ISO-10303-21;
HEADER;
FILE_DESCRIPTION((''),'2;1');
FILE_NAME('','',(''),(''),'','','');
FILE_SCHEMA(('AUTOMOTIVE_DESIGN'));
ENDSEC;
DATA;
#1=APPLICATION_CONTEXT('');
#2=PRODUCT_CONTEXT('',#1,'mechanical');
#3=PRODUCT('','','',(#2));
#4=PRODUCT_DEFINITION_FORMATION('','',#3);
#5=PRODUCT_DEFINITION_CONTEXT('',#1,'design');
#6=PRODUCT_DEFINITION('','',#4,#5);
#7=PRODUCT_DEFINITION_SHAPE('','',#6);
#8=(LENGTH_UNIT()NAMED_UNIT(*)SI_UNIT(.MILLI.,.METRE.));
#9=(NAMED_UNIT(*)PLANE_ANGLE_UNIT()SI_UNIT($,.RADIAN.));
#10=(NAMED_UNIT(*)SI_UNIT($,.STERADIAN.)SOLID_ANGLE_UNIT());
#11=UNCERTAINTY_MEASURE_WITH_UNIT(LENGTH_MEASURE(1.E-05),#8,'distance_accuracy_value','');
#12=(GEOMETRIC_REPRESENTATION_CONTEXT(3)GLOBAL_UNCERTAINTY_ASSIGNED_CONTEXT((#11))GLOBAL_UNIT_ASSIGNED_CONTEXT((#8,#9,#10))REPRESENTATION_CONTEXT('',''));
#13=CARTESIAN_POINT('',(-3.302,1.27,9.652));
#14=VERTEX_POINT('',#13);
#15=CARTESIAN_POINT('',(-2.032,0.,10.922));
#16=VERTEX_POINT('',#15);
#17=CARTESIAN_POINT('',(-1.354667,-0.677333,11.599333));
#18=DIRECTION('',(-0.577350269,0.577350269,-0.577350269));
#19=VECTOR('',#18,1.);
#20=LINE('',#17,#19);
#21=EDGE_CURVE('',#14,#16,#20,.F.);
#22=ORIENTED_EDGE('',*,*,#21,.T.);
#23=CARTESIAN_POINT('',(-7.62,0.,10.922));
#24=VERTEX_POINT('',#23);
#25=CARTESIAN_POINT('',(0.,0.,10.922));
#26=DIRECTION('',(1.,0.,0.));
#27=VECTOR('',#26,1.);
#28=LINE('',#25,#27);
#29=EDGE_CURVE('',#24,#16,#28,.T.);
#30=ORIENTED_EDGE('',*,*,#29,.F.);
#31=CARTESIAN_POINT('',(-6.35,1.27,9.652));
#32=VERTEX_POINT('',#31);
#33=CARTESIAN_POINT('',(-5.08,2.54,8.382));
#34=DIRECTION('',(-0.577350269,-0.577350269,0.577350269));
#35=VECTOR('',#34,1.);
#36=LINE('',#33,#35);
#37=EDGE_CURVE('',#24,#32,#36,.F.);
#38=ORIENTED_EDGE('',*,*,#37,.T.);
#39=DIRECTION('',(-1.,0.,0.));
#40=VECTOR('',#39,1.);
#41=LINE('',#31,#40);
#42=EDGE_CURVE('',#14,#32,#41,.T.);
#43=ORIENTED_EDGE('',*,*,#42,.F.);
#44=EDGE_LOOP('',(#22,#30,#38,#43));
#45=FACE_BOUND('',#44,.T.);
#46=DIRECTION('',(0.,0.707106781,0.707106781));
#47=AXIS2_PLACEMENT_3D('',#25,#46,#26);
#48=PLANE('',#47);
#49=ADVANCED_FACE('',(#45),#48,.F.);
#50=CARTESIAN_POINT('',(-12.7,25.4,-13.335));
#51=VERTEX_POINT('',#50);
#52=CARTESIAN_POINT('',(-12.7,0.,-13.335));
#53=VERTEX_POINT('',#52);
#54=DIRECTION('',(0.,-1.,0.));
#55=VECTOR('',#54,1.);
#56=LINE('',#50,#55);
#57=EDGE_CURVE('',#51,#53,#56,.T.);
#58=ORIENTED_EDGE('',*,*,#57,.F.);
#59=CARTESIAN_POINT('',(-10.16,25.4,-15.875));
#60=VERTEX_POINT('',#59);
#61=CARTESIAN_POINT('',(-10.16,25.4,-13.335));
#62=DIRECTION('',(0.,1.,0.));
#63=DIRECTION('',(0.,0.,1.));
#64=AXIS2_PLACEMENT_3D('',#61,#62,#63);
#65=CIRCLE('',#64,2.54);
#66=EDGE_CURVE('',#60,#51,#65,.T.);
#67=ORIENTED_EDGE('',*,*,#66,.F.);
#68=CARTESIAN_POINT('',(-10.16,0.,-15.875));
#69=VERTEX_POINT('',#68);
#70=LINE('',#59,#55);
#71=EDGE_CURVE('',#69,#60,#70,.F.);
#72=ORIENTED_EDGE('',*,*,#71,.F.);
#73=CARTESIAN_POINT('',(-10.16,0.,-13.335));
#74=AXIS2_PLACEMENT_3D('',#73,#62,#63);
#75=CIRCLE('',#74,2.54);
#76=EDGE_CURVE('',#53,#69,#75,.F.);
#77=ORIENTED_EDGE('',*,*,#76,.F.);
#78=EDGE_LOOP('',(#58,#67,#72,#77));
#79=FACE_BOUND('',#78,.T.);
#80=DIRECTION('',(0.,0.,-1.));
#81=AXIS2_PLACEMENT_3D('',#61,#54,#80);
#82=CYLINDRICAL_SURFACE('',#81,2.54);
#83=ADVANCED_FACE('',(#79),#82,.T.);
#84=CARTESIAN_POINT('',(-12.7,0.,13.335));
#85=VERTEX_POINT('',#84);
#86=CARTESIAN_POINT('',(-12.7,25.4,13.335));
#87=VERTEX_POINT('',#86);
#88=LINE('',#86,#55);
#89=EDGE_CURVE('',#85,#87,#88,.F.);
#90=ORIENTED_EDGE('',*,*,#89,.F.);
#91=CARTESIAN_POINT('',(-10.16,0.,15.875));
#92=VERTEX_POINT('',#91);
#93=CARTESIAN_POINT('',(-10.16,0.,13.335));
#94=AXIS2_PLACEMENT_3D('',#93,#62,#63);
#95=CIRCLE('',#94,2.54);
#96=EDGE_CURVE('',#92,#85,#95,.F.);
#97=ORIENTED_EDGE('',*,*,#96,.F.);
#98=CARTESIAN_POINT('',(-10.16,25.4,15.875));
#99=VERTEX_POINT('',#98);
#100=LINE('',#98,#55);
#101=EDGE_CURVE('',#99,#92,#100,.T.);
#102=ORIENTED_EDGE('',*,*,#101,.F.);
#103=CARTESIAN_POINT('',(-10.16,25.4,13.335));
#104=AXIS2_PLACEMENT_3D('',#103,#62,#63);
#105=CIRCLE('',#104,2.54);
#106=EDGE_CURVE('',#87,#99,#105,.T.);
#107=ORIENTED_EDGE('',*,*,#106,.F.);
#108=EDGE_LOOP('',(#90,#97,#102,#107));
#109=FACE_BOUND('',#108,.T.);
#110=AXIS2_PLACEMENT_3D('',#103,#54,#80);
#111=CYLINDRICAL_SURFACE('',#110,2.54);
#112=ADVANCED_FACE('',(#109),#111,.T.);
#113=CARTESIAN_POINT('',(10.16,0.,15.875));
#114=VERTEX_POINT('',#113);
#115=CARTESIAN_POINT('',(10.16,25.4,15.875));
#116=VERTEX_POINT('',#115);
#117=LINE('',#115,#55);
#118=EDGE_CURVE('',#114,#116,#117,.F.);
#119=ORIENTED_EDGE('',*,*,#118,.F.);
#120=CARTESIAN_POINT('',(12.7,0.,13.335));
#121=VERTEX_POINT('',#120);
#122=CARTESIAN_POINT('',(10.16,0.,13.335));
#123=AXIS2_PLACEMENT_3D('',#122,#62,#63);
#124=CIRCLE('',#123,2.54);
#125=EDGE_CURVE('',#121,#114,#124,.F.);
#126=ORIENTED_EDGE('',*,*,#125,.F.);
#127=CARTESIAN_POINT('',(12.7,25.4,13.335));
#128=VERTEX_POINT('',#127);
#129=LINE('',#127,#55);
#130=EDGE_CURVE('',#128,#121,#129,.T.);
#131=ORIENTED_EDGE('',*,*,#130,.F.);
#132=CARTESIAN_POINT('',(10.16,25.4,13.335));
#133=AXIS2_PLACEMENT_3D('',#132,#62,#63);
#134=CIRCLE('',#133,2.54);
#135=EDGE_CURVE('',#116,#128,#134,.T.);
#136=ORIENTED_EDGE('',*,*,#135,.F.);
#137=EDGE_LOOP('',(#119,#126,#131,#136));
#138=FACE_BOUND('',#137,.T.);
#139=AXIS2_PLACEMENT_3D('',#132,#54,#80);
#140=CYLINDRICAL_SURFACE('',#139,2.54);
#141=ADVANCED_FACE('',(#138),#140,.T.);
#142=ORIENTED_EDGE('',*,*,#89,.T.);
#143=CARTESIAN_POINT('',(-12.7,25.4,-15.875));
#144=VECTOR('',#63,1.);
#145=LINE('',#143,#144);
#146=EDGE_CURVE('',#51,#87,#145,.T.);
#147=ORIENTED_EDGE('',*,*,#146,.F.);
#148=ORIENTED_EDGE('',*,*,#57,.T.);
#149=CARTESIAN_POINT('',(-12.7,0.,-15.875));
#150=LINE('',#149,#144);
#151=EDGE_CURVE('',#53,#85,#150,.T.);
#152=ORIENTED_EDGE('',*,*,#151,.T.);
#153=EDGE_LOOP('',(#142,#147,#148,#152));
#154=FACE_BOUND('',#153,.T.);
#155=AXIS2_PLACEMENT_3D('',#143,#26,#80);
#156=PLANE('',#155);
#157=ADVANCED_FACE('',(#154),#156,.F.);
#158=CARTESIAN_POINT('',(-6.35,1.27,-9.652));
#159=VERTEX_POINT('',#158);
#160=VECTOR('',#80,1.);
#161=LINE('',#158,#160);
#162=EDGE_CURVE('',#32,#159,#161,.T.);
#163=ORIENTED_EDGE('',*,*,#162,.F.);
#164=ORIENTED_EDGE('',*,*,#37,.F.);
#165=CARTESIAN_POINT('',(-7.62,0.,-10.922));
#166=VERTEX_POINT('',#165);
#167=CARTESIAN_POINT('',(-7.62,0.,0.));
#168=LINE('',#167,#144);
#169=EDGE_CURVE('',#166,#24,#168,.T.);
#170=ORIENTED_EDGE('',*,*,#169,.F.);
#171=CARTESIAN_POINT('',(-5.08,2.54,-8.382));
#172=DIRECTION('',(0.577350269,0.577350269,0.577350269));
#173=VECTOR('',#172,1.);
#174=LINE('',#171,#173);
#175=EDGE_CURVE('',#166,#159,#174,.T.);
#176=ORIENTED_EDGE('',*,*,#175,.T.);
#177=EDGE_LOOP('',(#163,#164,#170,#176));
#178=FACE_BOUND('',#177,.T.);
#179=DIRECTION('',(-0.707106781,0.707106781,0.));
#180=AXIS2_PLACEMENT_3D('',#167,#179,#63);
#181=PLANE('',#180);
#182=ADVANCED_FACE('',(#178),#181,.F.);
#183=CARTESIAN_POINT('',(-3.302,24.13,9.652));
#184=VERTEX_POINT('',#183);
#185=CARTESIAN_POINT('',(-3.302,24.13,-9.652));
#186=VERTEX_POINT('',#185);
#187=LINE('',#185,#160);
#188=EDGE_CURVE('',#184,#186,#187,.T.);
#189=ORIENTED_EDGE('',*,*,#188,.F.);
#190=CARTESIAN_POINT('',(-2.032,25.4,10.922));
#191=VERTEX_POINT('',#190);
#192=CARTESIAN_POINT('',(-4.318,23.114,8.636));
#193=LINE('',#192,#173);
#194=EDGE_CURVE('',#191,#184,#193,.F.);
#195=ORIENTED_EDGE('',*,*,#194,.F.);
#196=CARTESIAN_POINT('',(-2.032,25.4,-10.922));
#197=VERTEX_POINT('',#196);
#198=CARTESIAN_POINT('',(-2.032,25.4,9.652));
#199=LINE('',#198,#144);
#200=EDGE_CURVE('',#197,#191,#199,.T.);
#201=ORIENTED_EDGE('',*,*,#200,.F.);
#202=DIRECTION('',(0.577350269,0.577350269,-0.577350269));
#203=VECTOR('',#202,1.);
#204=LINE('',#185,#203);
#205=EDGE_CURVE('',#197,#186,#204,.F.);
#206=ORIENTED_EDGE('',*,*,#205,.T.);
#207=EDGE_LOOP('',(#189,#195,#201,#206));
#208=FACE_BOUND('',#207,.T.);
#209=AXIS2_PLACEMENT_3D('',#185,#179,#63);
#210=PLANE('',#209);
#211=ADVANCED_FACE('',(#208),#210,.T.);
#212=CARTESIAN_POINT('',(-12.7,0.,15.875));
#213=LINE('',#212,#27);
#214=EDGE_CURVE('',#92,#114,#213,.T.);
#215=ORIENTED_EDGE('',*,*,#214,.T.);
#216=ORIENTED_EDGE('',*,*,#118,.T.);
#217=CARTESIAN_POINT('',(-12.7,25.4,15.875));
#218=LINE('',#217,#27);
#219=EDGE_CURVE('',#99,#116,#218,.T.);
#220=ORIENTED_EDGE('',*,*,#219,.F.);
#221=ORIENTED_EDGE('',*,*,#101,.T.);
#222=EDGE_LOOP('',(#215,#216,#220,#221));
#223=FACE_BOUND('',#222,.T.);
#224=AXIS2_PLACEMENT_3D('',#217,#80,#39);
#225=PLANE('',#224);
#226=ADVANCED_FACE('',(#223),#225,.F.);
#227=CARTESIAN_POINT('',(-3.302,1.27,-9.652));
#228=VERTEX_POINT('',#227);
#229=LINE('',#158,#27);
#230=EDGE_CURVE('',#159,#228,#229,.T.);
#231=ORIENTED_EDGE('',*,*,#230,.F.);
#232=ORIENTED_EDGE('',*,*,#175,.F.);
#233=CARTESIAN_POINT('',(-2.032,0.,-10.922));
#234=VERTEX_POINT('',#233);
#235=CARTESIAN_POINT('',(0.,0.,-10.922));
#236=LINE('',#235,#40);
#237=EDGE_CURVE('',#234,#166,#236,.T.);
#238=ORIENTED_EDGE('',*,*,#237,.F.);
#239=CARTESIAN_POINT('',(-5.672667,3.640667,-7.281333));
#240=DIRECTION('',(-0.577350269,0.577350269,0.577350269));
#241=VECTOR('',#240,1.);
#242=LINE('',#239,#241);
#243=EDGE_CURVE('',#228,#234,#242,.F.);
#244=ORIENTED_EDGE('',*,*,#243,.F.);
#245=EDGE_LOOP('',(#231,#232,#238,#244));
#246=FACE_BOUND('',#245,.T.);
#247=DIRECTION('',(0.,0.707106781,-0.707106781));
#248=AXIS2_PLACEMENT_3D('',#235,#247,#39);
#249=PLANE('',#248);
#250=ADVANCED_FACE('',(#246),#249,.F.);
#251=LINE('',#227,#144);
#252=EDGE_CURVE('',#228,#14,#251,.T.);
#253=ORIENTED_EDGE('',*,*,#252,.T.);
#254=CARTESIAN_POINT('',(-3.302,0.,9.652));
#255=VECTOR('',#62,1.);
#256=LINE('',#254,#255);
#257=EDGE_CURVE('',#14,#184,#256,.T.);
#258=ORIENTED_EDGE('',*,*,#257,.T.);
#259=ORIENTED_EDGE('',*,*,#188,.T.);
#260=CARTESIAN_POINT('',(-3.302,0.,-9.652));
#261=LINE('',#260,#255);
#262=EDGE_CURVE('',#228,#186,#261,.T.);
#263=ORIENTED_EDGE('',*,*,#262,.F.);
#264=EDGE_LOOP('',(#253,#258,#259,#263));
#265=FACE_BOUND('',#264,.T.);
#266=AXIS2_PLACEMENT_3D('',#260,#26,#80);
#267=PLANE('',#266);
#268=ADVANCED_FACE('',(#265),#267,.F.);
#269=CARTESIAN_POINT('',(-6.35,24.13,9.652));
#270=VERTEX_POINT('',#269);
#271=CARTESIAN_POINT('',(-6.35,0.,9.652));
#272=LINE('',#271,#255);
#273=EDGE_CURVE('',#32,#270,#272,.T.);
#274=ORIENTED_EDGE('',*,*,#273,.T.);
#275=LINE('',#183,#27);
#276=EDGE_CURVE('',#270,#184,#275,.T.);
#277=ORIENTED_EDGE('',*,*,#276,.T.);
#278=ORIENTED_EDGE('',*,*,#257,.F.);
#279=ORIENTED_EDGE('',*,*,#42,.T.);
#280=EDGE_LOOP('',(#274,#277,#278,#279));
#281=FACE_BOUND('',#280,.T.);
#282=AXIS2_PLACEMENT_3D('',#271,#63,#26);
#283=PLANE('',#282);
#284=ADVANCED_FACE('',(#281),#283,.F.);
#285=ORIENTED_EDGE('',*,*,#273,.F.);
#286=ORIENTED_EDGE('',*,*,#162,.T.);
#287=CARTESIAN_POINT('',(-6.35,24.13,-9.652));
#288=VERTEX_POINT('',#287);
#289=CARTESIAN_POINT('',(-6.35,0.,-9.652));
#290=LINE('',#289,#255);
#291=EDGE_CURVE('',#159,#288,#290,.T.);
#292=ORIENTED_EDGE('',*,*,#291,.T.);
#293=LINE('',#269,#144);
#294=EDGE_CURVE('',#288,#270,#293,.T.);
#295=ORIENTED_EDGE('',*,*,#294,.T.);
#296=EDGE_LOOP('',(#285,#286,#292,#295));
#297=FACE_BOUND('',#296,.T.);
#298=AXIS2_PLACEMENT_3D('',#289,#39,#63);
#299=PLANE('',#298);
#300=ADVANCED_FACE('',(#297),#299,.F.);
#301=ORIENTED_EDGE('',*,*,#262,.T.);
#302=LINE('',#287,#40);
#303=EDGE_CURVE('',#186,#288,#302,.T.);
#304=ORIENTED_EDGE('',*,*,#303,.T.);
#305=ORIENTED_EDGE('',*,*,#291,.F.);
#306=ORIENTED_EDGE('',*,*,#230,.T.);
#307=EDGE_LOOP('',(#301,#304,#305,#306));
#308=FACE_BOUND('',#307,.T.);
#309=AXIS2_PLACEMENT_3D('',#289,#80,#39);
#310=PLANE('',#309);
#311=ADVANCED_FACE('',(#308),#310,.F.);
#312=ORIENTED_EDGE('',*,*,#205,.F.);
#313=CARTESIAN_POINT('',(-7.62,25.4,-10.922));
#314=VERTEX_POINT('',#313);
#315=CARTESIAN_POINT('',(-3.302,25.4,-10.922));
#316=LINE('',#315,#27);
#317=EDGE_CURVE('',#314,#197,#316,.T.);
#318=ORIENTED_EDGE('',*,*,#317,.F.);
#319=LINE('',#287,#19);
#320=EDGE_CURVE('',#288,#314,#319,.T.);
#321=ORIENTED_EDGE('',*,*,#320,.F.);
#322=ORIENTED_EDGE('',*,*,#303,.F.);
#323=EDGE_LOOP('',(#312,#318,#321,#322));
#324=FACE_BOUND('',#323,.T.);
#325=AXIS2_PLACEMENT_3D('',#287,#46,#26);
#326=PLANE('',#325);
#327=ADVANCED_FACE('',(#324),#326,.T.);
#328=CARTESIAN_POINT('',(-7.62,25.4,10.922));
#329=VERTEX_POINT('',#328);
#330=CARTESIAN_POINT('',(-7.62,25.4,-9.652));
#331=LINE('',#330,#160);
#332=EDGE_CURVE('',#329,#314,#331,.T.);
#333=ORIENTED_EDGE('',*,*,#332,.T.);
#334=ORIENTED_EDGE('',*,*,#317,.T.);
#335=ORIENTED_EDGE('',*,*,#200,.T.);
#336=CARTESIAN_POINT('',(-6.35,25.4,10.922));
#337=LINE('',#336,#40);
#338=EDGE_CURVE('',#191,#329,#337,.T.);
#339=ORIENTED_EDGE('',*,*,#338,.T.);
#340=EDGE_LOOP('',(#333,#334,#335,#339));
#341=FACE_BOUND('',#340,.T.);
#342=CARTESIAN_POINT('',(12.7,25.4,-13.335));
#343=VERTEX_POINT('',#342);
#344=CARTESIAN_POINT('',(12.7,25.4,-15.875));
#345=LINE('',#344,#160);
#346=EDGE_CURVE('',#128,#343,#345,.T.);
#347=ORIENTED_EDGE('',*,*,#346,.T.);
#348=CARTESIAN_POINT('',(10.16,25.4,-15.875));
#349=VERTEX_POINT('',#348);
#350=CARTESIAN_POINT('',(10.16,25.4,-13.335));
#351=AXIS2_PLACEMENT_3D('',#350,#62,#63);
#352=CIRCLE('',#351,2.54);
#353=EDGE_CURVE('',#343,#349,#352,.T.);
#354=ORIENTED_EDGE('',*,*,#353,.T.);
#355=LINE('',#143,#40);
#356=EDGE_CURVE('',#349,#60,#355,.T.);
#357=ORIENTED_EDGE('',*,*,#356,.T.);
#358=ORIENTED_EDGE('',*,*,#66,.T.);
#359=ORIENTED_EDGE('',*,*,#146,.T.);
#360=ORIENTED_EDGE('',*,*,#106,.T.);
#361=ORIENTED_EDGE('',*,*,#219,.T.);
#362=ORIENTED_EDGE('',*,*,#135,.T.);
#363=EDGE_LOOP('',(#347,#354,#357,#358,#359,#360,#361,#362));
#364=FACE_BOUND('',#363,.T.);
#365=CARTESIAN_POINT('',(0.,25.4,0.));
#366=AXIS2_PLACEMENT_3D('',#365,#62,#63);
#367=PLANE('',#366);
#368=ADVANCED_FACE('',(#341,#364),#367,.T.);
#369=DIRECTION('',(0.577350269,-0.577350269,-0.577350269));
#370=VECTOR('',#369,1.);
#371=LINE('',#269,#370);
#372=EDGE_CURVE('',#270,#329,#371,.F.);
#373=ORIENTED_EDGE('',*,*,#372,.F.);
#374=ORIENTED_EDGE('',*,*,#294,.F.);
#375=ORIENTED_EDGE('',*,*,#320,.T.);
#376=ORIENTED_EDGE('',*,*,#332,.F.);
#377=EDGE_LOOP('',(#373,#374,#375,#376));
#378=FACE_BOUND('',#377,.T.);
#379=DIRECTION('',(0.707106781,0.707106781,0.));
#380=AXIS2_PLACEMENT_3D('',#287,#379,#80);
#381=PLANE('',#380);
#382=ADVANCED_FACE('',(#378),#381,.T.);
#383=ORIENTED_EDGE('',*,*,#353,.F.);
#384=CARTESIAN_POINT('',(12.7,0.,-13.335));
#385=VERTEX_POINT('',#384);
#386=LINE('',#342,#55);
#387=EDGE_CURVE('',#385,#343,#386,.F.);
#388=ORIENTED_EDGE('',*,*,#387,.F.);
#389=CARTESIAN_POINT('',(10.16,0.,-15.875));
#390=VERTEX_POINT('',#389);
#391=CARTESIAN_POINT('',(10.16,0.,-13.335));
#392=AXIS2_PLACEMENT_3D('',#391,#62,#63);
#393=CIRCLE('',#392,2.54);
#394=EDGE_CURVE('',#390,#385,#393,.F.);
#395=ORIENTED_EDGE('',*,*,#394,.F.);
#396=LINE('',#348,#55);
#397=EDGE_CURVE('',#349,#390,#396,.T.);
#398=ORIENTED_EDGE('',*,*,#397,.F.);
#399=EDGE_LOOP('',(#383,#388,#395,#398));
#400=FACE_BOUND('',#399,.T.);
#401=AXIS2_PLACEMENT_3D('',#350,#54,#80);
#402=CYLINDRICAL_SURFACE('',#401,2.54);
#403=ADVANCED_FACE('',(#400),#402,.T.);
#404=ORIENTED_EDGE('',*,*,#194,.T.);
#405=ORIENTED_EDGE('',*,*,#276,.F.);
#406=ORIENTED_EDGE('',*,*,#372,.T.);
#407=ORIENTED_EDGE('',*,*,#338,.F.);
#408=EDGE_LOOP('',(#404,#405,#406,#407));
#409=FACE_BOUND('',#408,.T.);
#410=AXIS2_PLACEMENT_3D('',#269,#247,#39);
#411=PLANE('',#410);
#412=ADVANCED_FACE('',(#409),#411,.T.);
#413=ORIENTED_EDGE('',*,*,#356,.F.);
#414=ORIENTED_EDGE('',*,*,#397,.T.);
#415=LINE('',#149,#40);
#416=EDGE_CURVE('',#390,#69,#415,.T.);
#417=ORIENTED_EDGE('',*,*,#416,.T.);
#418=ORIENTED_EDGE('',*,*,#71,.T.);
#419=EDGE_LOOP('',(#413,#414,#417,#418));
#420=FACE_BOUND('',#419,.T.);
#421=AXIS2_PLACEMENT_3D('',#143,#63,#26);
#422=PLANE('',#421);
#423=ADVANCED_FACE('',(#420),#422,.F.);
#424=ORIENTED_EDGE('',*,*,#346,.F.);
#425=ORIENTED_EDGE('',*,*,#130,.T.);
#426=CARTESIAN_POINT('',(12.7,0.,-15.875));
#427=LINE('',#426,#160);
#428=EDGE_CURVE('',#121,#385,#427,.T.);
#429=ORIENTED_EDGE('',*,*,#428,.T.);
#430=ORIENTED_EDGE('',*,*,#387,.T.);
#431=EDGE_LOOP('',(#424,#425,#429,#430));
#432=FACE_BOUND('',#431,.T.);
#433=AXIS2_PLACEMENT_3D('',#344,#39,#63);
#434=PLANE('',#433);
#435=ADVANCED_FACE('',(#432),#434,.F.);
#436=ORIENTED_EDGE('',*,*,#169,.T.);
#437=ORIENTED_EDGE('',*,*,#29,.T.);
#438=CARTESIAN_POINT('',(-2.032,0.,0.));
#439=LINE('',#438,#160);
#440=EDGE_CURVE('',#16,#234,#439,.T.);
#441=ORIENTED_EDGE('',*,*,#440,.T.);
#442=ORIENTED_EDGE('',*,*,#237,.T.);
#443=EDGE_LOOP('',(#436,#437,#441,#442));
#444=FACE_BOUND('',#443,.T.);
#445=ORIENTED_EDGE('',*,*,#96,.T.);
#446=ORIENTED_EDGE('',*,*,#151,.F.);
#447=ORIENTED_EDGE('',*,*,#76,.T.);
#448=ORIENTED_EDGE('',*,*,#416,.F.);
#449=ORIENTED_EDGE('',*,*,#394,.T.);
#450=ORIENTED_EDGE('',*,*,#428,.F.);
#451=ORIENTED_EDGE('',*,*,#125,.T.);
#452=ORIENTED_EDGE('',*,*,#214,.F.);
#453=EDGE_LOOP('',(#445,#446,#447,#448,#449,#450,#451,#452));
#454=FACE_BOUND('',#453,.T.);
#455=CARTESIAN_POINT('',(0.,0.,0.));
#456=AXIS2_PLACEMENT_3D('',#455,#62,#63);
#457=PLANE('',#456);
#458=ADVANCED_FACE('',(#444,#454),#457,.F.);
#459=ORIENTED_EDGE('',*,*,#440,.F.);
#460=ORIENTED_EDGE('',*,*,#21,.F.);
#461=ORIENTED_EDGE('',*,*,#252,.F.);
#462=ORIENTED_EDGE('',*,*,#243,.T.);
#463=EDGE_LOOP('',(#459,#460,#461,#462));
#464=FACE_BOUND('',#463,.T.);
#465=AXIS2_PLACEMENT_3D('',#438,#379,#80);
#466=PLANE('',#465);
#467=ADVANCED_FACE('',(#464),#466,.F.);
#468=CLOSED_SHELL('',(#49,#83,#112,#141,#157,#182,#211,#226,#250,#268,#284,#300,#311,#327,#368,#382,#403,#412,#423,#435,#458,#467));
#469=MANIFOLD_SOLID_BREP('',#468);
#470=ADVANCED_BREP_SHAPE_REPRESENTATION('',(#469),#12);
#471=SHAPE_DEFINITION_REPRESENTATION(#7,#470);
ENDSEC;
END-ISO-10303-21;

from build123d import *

# Parameters (mm, degrees)
SKETCH1_W           = 25.4
SKETCH1_H           = 31.75
BOSS_EXTRUDE1_DEPTH = 25.4
SKETCH2_W           = 3.048
SKETCH2_H           = 19.304
CUT_EXTRUDE1_DEPTH  = 33.534068682
FILLET1_R           = 2.54
CHAMFER1_SIZE       = 1.27


with BuildPart() as part:
    # Sketch1 → Boss-Extrude1 (new body)
    with BuildSketch(Plane(origin=(0, 0, 0), x_dir=(1, 0, 0), z_dir=(0, 1, 0))):
        Rectangle(SKETCH1_W, SKETCH1_H)
    extrude(amount=BOSS_EXTRUDE1_DEPTH)

    # Sketch2 → Cut-Extrude1 (cut, through all)
    with BuildSketch(Plane(origin=(0, 25.4, 0), x_dir=(1, 0, 0), z_dir=(0, 1, 0))):
        with Locations((-4.826, 0)):
            Rectangle(SKETCH2_W, SKETCH2_H)
    extrude(amount=-CUT_EXTRUDE1_DEPTH, mode=Mode.SUBTRACT)

    # Fillet1
    fillet1_edges = [part.edges().sort_by_distance(p)[0] for p in [
        (12.7, 12.7, 15.875),
        (-12.7, 12.7, 15.875),
        (-12.7, 12.7, -15.875),
        (12.7, 12.7, -15.875),
    ]]
    fillet(fillet1_edges, radius=FILLET1_R)

    # Chamfer1
    chamfer1_edges = [part.edges().sort_by_distance(p)[0] for p in [
        (-3.302, 0, 0),
        (-4.826, 0, 9.652),
        (-6.35, 0, 0),
        (-4.826, 0, -9.652),
        (-3.302, 25.4, 0),
        (-4.826, 25.4, -9.652),
        (-6.35, 25.4, 0),
        (-4.826, 25.4, 9.652),
    ]]
    chamfer(chamfer1_edges, length=CHAMFER1_SIZE)


solid = part.part
